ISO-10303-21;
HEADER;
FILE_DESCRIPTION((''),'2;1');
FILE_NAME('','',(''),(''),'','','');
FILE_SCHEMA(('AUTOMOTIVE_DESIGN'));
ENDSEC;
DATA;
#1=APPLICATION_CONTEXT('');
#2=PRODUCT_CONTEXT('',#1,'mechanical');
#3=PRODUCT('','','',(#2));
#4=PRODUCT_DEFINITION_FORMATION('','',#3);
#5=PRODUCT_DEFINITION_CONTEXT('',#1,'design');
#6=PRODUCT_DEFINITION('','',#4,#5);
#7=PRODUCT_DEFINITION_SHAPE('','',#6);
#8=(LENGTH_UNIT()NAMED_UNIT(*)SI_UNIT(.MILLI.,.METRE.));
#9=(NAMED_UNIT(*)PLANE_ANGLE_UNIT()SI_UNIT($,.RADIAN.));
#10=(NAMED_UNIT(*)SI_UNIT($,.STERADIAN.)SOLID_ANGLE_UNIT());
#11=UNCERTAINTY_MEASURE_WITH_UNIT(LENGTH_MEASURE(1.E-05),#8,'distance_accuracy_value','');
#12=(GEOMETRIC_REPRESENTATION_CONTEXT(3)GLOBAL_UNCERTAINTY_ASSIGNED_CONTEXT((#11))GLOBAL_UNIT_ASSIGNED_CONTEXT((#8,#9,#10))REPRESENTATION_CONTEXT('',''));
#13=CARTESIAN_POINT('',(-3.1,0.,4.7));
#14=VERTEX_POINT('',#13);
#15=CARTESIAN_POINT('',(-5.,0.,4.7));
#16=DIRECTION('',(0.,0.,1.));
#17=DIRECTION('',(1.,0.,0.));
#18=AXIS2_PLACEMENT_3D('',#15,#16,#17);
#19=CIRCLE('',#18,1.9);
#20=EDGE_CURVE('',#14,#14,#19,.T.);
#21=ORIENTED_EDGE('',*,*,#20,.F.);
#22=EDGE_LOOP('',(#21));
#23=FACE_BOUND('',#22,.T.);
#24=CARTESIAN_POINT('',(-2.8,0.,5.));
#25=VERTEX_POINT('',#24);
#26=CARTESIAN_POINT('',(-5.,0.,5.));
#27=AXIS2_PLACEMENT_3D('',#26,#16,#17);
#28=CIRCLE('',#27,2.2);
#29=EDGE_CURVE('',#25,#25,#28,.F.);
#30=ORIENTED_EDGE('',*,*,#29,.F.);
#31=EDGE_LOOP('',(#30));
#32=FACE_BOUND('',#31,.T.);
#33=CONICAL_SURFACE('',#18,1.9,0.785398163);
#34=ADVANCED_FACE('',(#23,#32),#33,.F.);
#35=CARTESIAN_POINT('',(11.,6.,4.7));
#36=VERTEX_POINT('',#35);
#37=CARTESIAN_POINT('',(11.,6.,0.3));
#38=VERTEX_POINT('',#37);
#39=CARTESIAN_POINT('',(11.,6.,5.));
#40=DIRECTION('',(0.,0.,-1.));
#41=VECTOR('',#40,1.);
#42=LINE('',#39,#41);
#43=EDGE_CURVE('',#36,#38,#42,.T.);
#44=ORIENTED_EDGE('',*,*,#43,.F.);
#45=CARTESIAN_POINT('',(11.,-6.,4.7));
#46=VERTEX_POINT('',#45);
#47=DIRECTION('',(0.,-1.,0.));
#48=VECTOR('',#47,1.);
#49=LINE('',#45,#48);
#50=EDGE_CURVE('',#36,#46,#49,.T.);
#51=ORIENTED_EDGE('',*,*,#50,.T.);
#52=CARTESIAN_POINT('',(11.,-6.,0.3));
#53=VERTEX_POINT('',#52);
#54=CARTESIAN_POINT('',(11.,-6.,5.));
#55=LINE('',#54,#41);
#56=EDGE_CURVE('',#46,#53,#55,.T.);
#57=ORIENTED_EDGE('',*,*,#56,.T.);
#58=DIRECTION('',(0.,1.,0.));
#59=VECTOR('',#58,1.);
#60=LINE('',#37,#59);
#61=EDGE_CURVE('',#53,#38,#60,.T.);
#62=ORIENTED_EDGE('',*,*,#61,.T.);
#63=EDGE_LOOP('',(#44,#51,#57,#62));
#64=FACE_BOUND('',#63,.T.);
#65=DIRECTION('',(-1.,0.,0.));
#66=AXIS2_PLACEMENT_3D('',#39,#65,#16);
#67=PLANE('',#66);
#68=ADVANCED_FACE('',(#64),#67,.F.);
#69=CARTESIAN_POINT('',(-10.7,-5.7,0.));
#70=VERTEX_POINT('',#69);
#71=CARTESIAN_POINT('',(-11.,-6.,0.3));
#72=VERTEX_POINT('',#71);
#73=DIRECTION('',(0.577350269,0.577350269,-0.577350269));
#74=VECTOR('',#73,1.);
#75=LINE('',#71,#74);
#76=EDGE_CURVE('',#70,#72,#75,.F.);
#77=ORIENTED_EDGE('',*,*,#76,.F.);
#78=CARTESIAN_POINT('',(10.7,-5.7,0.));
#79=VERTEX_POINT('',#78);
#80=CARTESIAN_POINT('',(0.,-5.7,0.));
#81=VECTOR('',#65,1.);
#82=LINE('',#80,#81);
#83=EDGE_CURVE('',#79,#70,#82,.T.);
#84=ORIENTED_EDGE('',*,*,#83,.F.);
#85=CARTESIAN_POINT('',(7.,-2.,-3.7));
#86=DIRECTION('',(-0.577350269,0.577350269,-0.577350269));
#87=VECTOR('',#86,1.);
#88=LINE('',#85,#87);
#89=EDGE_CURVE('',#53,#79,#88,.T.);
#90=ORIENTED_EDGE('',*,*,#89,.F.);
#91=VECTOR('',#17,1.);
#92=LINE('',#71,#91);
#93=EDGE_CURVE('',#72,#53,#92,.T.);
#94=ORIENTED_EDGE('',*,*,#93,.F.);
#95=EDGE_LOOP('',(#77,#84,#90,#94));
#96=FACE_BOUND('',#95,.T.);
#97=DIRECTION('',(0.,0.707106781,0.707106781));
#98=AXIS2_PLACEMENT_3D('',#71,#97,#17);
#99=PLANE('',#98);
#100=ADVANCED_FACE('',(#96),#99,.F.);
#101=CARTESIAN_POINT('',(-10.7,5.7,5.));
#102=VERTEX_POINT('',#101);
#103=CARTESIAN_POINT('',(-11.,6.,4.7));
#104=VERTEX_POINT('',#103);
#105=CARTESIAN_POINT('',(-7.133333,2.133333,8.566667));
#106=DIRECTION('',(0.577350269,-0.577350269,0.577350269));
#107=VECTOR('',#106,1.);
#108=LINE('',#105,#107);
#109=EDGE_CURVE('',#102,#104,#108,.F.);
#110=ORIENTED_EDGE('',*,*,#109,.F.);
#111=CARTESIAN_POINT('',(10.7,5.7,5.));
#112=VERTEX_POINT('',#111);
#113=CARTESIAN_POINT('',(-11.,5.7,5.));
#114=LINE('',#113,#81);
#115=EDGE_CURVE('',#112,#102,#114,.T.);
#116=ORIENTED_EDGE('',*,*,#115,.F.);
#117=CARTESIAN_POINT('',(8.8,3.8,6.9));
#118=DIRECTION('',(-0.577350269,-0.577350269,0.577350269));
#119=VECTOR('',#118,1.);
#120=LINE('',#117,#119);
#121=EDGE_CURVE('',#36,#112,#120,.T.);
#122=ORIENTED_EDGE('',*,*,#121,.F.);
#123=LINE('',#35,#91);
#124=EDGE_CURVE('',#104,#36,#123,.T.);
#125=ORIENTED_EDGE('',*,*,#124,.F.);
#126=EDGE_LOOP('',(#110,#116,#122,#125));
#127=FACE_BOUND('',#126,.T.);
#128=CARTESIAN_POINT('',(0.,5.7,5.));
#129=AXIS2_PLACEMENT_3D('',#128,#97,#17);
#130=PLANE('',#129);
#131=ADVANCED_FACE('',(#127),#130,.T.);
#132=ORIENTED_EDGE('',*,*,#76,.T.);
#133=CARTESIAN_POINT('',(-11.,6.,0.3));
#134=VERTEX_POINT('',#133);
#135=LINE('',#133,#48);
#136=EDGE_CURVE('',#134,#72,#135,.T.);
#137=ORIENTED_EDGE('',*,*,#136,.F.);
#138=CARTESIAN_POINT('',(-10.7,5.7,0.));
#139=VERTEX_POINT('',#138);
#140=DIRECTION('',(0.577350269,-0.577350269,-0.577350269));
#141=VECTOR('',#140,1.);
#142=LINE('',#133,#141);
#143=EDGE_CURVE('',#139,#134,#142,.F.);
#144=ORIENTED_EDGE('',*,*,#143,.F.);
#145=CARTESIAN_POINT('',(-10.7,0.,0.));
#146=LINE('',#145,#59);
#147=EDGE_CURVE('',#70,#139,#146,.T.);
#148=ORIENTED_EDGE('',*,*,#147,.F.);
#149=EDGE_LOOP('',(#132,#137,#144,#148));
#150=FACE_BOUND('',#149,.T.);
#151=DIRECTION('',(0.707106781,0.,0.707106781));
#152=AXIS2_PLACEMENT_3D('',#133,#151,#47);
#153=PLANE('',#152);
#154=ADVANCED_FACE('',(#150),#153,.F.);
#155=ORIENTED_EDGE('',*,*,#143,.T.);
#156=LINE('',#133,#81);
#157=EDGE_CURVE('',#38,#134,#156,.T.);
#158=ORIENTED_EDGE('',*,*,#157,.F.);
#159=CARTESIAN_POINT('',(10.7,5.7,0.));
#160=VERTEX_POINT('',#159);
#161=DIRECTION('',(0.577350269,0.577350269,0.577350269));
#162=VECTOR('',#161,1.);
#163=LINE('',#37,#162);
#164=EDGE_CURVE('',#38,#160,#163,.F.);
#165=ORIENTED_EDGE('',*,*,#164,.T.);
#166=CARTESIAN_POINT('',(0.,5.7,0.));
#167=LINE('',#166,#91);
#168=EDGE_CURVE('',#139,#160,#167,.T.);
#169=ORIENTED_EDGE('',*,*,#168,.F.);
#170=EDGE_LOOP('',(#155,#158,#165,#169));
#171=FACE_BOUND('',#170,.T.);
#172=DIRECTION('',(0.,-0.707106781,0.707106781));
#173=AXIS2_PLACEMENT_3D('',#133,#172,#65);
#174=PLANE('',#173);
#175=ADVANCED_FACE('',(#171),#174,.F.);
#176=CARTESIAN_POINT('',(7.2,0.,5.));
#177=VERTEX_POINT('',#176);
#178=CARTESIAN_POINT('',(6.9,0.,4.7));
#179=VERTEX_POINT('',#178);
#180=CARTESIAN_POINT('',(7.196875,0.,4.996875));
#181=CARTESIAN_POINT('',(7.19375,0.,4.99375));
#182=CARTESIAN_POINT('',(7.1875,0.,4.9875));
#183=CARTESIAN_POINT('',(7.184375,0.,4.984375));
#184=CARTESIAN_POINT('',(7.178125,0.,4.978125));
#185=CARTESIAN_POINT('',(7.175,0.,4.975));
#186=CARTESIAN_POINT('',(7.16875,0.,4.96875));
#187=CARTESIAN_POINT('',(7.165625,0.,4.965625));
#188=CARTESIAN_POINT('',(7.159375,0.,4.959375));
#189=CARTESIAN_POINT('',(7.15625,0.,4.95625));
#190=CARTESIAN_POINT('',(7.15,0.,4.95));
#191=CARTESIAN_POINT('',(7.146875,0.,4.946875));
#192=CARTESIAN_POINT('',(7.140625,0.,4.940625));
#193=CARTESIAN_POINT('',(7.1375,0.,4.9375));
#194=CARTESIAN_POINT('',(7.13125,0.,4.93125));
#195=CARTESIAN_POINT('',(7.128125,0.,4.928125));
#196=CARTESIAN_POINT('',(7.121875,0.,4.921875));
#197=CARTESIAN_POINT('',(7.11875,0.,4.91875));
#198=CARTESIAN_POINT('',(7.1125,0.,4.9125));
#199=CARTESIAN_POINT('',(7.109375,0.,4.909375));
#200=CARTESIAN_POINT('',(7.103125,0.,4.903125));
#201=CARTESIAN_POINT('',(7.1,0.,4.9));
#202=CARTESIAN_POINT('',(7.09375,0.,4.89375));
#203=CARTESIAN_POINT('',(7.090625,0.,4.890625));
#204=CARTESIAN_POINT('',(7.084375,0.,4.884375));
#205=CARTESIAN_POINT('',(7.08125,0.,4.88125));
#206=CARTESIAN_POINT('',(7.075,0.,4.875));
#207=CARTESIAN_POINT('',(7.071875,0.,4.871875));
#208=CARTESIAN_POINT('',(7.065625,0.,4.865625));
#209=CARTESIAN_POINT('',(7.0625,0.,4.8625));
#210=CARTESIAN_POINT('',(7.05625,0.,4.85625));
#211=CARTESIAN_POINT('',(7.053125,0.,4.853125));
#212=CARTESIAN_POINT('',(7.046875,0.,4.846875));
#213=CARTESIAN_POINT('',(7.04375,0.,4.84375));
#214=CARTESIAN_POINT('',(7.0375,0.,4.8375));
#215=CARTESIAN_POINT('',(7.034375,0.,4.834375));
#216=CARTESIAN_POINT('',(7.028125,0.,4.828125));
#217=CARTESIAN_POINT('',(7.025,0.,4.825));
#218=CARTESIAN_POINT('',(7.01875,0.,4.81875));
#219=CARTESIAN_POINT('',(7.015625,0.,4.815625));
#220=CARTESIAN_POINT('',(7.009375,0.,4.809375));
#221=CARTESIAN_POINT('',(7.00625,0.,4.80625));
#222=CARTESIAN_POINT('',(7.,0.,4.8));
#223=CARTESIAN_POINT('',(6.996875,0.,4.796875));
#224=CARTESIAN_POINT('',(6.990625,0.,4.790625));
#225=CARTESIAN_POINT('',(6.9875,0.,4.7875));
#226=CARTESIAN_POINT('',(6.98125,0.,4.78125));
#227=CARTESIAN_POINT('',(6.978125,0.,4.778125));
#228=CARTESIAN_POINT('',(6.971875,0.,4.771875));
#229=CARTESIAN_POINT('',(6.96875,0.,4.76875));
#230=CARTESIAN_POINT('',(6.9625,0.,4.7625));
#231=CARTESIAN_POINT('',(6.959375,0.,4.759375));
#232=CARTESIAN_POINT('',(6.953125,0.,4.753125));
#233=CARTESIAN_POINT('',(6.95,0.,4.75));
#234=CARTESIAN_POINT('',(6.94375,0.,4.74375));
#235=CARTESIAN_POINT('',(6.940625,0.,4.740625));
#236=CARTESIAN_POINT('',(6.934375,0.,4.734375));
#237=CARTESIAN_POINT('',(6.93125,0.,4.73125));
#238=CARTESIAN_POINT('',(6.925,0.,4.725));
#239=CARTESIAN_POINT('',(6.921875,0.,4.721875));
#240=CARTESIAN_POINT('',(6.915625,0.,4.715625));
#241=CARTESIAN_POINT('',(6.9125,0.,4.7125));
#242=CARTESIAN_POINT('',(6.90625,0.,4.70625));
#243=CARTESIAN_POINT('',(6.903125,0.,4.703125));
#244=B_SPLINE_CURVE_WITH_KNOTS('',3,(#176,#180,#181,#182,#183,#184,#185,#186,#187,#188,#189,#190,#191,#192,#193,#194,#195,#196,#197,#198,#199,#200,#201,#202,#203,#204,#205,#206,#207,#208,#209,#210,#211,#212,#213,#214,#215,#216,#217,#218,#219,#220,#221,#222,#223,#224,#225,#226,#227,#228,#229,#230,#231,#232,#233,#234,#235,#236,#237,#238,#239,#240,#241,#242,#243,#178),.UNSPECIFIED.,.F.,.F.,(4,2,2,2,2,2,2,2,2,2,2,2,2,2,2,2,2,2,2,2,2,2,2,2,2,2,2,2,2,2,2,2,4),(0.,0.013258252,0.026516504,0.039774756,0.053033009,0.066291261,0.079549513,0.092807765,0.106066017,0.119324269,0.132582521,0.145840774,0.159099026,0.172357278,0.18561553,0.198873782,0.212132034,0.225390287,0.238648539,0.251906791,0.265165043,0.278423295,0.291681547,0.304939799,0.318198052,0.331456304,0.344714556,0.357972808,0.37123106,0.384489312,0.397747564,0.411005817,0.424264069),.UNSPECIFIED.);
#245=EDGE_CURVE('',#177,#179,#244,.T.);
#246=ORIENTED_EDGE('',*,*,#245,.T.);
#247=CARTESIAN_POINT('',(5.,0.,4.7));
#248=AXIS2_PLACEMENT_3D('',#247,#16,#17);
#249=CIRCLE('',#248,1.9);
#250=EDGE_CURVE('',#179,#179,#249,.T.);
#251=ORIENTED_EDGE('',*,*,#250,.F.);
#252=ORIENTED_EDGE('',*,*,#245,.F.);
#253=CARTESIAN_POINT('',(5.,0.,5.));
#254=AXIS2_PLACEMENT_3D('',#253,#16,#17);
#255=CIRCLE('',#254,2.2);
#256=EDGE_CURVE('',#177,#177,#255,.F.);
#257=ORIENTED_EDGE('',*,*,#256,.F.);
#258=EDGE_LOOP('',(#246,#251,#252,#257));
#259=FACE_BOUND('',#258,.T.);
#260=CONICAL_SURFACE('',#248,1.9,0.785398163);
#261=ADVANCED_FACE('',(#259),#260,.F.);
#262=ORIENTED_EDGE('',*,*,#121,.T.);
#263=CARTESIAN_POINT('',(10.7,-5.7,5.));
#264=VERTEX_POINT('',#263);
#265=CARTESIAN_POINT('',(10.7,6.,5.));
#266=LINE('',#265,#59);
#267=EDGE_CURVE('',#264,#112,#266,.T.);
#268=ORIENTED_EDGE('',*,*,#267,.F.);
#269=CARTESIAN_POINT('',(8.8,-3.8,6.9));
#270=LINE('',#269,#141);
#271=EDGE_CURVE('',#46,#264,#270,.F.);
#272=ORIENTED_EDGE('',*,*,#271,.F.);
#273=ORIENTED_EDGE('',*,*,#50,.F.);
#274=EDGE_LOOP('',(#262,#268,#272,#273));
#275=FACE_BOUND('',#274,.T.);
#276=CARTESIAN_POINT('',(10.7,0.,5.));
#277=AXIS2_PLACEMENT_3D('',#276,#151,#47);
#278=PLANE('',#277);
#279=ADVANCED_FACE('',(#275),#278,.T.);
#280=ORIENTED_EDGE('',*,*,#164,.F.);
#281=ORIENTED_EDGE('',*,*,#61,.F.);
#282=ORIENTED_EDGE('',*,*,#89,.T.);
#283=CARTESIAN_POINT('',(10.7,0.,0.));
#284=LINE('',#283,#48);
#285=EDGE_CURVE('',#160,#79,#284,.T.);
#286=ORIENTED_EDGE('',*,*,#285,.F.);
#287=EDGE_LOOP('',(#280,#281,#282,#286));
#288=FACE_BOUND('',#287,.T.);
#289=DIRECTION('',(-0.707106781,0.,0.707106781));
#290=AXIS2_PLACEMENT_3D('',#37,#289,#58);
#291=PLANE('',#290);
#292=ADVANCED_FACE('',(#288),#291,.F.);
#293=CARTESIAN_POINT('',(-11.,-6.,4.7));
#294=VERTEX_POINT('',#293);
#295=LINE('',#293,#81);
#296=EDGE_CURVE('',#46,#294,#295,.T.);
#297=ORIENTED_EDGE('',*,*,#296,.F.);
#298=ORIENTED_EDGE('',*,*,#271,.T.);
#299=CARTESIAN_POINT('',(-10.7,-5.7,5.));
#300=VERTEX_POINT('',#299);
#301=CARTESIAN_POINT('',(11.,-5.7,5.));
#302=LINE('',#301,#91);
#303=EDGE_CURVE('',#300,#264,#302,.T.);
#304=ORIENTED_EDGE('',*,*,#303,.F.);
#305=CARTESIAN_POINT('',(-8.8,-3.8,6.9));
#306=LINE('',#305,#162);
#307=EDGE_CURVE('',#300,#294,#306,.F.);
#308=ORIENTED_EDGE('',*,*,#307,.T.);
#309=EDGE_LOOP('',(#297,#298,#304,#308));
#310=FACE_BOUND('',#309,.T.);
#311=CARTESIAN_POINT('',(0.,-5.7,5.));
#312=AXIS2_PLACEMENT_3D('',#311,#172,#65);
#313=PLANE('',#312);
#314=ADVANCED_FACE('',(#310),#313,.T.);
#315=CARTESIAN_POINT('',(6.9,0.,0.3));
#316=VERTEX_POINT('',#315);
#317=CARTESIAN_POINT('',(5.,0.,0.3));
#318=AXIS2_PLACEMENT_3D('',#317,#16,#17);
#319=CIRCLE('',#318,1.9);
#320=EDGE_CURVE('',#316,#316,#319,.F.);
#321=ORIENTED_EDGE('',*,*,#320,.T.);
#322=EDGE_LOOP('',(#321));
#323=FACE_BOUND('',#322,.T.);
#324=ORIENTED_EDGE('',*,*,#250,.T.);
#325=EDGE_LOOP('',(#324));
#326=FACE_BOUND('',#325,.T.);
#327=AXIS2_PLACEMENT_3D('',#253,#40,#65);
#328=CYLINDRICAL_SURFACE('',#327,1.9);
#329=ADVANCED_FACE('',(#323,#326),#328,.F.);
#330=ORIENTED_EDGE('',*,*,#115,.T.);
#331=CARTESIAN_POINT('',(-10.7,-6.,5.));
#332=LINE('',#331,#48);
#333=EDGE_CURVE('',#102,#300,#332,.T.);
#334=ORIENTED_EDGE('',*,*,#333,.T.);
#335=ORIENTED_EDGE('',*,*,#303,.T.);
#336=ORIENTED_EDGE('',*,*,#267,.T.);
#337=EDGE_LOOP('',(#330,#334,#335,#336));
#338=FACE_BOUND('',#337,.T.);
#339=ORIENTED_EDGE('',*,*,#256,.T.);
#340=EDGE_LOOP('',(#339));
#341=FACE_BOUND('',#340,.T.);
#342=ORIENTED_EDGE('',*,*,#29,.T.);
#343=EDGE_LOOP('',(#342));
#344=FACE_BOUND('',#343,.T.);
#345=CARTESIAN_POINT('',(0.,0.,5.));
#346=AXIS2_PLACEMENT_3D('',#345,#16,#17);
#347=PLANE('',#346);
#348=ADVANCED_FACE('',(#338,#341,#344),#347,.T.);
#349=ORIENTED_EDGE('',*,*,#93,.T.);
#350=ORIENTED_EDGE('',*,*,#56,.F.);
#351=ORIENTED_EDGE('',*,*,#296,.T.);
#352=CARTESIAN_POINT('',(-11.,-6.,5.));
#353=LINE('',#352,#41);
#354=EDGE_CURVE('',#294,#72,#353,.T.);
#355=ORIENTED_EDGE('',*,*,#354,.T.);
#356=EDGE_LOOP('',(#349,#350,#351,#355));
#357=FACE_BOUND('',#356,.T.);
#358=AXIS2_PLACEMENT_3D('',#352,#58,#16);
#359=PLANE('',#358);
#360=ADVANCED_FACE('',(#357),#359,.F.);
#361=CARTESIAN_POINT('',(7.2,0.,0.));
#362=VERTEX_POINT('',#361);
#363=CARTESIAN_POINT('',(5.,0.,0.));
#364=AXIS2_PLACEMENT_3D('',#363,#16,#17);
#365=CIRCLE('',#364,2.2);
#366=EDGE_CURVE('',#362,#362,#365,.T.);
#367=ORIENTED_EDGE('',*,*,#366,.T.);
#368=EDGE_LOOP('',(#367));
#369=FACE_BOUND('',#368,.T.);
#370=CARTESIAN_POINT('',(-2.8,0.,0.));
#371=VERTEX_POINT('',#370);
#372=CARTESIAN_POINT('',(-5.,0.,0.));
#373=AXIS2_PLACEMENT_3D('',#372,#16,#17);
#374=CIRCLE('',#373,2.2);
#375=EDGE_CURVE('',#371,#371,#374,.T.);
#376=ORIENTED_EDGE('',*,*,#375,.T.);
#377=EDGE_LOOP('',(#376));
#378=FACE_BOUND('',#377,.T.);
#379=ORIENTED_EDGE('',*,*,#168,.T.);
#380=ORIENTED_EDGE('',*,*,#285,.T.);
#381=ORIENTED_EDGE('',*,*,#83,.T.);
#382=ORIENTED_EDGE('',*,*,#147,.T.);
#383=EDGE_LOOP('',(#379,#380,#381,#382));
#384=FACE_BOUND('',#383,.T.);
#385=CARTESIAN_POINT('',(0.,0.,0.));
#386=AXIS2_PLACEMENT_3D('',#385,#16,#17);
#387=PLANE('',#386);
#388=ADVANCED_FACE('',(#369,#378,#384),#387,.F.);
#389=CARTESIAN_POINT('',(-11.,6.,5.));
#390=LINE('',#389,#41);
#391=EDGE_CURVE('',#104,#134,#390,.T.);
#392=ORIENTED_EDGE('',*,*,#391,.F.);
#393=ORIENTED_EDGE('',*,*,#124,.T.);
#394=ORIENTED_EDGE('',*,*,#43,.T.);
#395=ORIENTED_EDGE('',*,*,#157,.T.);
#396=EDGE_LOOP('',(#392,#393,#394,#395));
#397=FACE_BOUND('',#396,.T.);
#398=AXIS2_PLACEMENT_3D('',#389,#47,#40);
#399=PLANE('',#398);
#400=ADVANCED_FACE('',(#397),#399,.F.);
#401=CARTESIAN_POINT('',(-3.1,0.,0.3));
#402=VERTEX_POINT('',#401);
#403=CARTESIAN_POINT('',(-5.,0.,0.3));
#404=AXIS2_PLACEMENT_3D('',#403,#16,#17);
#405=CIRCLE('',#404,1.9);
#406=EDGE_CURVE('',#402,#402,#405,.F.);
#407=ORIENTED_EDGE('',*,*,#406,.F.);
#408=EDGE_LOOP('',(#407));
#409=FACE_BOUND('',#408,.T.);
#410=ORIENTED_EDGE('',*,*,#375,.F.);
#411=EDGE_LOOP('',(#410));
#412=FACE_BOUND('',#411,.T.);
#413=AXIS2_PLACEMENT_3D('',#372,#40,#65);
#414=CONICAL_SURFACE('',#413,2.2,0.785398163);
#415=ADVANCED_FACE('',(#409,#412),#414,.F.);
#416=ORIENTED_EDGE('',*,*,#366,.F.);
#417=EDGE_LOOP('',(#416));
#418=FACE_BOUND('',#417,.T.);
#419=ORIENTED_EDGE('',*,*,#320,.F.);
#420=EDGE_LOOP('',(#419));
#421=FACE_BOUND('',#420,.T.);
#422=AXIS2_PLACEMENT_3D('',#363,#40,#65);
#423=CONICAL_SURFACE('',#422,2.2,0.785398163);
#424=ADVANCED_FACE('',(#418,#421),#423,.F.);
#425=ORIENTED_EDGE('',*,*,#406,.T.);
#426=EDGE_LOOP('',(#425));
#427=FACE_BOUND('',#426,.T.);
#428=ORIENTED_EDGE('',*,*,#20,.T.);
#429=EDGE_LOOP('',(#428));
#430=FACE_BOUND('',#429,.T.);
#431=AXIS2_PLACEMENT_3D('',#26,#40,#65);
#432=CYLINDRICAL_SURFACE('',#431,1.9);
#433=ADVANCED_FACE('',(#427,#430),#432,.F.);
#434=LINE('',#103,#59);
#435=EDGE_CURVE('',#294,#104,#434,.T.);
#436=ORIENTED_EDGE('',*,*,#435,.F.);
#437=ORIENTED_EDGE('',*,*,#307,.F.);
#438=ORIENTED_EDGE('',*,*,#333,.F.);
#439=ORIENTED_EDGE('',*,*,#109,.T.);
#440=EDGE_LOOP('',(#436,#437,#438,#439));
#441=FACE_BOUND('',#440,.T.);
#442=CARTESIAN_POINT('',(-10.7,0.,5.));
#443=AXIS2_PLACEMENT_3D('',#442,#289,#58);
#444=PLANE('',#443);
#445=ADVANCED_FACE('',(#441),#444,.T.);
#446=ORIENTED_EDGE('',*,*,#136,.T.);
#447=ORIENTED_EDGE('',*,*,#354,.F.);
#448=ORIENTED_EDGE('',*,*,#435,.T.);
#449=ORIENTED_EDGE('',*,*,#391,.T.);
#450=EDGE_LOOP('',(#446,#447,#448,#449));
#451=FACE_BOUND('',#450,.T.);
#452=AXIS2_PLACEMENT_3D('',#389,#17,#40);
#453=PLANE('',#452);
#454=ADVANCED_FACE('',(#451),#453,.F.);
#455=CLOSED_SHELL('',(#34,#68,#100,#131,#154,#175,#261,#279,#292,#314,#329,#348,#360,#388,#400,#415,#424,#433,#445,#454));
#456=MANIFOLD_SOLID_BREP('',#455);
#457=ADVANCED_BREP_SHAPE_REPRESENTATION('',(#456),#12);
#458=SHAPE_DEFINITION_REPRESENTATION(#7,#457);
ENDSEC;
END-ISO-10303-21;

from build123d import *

# Parameters (mm, degrees)
SKETCH_1_W      = 22
SKETCH_1_H      = 12
SKETCH_1_R      = 1.9
EXTRUDE_1_DEPTH = 5
CHAMFER_1_SIZE  = 0.3


with BuildPart() as part:
    # 스케치1 → 보스-돌출1 (new body)
    with BuildSketch(Plane.XY):
        Rectangle(SKETCH_1_W, SKETCH_1_H)
        with Locations((-5, 0)):
            Circle(SKETCH_1_R, mode=Mode.SUBTRACT)
        with Locations(Location((5, 0, 0), (0, 0, 180))):
            Circle(SKETCH_1_R, mode=Mode.SUBTRACT)
    extrude(amount=EXTRUDE_1_DEPTH)

    # 모따기1
    chamfer_1_edges = [part.edges().sort_by_distance(p)[0] for p in [
        (-6.9, 0, 0),
        (-6.9, 0, 5),
        (-11, 0, 5),
        (6.9, 0, 0),
        (6.9, 0, 5),
        (0, -6, 5),
        (11, 0, 5),
        (0, -6, 0),
        (-11, 0, 0),
        (0, 6, 0),
        (11, 0, 0),
        (0, 6, 5),
    ]]
    chamfer(chamfer_1_edges, length=CHAMFER_1_SIZE)


solid = part.part
